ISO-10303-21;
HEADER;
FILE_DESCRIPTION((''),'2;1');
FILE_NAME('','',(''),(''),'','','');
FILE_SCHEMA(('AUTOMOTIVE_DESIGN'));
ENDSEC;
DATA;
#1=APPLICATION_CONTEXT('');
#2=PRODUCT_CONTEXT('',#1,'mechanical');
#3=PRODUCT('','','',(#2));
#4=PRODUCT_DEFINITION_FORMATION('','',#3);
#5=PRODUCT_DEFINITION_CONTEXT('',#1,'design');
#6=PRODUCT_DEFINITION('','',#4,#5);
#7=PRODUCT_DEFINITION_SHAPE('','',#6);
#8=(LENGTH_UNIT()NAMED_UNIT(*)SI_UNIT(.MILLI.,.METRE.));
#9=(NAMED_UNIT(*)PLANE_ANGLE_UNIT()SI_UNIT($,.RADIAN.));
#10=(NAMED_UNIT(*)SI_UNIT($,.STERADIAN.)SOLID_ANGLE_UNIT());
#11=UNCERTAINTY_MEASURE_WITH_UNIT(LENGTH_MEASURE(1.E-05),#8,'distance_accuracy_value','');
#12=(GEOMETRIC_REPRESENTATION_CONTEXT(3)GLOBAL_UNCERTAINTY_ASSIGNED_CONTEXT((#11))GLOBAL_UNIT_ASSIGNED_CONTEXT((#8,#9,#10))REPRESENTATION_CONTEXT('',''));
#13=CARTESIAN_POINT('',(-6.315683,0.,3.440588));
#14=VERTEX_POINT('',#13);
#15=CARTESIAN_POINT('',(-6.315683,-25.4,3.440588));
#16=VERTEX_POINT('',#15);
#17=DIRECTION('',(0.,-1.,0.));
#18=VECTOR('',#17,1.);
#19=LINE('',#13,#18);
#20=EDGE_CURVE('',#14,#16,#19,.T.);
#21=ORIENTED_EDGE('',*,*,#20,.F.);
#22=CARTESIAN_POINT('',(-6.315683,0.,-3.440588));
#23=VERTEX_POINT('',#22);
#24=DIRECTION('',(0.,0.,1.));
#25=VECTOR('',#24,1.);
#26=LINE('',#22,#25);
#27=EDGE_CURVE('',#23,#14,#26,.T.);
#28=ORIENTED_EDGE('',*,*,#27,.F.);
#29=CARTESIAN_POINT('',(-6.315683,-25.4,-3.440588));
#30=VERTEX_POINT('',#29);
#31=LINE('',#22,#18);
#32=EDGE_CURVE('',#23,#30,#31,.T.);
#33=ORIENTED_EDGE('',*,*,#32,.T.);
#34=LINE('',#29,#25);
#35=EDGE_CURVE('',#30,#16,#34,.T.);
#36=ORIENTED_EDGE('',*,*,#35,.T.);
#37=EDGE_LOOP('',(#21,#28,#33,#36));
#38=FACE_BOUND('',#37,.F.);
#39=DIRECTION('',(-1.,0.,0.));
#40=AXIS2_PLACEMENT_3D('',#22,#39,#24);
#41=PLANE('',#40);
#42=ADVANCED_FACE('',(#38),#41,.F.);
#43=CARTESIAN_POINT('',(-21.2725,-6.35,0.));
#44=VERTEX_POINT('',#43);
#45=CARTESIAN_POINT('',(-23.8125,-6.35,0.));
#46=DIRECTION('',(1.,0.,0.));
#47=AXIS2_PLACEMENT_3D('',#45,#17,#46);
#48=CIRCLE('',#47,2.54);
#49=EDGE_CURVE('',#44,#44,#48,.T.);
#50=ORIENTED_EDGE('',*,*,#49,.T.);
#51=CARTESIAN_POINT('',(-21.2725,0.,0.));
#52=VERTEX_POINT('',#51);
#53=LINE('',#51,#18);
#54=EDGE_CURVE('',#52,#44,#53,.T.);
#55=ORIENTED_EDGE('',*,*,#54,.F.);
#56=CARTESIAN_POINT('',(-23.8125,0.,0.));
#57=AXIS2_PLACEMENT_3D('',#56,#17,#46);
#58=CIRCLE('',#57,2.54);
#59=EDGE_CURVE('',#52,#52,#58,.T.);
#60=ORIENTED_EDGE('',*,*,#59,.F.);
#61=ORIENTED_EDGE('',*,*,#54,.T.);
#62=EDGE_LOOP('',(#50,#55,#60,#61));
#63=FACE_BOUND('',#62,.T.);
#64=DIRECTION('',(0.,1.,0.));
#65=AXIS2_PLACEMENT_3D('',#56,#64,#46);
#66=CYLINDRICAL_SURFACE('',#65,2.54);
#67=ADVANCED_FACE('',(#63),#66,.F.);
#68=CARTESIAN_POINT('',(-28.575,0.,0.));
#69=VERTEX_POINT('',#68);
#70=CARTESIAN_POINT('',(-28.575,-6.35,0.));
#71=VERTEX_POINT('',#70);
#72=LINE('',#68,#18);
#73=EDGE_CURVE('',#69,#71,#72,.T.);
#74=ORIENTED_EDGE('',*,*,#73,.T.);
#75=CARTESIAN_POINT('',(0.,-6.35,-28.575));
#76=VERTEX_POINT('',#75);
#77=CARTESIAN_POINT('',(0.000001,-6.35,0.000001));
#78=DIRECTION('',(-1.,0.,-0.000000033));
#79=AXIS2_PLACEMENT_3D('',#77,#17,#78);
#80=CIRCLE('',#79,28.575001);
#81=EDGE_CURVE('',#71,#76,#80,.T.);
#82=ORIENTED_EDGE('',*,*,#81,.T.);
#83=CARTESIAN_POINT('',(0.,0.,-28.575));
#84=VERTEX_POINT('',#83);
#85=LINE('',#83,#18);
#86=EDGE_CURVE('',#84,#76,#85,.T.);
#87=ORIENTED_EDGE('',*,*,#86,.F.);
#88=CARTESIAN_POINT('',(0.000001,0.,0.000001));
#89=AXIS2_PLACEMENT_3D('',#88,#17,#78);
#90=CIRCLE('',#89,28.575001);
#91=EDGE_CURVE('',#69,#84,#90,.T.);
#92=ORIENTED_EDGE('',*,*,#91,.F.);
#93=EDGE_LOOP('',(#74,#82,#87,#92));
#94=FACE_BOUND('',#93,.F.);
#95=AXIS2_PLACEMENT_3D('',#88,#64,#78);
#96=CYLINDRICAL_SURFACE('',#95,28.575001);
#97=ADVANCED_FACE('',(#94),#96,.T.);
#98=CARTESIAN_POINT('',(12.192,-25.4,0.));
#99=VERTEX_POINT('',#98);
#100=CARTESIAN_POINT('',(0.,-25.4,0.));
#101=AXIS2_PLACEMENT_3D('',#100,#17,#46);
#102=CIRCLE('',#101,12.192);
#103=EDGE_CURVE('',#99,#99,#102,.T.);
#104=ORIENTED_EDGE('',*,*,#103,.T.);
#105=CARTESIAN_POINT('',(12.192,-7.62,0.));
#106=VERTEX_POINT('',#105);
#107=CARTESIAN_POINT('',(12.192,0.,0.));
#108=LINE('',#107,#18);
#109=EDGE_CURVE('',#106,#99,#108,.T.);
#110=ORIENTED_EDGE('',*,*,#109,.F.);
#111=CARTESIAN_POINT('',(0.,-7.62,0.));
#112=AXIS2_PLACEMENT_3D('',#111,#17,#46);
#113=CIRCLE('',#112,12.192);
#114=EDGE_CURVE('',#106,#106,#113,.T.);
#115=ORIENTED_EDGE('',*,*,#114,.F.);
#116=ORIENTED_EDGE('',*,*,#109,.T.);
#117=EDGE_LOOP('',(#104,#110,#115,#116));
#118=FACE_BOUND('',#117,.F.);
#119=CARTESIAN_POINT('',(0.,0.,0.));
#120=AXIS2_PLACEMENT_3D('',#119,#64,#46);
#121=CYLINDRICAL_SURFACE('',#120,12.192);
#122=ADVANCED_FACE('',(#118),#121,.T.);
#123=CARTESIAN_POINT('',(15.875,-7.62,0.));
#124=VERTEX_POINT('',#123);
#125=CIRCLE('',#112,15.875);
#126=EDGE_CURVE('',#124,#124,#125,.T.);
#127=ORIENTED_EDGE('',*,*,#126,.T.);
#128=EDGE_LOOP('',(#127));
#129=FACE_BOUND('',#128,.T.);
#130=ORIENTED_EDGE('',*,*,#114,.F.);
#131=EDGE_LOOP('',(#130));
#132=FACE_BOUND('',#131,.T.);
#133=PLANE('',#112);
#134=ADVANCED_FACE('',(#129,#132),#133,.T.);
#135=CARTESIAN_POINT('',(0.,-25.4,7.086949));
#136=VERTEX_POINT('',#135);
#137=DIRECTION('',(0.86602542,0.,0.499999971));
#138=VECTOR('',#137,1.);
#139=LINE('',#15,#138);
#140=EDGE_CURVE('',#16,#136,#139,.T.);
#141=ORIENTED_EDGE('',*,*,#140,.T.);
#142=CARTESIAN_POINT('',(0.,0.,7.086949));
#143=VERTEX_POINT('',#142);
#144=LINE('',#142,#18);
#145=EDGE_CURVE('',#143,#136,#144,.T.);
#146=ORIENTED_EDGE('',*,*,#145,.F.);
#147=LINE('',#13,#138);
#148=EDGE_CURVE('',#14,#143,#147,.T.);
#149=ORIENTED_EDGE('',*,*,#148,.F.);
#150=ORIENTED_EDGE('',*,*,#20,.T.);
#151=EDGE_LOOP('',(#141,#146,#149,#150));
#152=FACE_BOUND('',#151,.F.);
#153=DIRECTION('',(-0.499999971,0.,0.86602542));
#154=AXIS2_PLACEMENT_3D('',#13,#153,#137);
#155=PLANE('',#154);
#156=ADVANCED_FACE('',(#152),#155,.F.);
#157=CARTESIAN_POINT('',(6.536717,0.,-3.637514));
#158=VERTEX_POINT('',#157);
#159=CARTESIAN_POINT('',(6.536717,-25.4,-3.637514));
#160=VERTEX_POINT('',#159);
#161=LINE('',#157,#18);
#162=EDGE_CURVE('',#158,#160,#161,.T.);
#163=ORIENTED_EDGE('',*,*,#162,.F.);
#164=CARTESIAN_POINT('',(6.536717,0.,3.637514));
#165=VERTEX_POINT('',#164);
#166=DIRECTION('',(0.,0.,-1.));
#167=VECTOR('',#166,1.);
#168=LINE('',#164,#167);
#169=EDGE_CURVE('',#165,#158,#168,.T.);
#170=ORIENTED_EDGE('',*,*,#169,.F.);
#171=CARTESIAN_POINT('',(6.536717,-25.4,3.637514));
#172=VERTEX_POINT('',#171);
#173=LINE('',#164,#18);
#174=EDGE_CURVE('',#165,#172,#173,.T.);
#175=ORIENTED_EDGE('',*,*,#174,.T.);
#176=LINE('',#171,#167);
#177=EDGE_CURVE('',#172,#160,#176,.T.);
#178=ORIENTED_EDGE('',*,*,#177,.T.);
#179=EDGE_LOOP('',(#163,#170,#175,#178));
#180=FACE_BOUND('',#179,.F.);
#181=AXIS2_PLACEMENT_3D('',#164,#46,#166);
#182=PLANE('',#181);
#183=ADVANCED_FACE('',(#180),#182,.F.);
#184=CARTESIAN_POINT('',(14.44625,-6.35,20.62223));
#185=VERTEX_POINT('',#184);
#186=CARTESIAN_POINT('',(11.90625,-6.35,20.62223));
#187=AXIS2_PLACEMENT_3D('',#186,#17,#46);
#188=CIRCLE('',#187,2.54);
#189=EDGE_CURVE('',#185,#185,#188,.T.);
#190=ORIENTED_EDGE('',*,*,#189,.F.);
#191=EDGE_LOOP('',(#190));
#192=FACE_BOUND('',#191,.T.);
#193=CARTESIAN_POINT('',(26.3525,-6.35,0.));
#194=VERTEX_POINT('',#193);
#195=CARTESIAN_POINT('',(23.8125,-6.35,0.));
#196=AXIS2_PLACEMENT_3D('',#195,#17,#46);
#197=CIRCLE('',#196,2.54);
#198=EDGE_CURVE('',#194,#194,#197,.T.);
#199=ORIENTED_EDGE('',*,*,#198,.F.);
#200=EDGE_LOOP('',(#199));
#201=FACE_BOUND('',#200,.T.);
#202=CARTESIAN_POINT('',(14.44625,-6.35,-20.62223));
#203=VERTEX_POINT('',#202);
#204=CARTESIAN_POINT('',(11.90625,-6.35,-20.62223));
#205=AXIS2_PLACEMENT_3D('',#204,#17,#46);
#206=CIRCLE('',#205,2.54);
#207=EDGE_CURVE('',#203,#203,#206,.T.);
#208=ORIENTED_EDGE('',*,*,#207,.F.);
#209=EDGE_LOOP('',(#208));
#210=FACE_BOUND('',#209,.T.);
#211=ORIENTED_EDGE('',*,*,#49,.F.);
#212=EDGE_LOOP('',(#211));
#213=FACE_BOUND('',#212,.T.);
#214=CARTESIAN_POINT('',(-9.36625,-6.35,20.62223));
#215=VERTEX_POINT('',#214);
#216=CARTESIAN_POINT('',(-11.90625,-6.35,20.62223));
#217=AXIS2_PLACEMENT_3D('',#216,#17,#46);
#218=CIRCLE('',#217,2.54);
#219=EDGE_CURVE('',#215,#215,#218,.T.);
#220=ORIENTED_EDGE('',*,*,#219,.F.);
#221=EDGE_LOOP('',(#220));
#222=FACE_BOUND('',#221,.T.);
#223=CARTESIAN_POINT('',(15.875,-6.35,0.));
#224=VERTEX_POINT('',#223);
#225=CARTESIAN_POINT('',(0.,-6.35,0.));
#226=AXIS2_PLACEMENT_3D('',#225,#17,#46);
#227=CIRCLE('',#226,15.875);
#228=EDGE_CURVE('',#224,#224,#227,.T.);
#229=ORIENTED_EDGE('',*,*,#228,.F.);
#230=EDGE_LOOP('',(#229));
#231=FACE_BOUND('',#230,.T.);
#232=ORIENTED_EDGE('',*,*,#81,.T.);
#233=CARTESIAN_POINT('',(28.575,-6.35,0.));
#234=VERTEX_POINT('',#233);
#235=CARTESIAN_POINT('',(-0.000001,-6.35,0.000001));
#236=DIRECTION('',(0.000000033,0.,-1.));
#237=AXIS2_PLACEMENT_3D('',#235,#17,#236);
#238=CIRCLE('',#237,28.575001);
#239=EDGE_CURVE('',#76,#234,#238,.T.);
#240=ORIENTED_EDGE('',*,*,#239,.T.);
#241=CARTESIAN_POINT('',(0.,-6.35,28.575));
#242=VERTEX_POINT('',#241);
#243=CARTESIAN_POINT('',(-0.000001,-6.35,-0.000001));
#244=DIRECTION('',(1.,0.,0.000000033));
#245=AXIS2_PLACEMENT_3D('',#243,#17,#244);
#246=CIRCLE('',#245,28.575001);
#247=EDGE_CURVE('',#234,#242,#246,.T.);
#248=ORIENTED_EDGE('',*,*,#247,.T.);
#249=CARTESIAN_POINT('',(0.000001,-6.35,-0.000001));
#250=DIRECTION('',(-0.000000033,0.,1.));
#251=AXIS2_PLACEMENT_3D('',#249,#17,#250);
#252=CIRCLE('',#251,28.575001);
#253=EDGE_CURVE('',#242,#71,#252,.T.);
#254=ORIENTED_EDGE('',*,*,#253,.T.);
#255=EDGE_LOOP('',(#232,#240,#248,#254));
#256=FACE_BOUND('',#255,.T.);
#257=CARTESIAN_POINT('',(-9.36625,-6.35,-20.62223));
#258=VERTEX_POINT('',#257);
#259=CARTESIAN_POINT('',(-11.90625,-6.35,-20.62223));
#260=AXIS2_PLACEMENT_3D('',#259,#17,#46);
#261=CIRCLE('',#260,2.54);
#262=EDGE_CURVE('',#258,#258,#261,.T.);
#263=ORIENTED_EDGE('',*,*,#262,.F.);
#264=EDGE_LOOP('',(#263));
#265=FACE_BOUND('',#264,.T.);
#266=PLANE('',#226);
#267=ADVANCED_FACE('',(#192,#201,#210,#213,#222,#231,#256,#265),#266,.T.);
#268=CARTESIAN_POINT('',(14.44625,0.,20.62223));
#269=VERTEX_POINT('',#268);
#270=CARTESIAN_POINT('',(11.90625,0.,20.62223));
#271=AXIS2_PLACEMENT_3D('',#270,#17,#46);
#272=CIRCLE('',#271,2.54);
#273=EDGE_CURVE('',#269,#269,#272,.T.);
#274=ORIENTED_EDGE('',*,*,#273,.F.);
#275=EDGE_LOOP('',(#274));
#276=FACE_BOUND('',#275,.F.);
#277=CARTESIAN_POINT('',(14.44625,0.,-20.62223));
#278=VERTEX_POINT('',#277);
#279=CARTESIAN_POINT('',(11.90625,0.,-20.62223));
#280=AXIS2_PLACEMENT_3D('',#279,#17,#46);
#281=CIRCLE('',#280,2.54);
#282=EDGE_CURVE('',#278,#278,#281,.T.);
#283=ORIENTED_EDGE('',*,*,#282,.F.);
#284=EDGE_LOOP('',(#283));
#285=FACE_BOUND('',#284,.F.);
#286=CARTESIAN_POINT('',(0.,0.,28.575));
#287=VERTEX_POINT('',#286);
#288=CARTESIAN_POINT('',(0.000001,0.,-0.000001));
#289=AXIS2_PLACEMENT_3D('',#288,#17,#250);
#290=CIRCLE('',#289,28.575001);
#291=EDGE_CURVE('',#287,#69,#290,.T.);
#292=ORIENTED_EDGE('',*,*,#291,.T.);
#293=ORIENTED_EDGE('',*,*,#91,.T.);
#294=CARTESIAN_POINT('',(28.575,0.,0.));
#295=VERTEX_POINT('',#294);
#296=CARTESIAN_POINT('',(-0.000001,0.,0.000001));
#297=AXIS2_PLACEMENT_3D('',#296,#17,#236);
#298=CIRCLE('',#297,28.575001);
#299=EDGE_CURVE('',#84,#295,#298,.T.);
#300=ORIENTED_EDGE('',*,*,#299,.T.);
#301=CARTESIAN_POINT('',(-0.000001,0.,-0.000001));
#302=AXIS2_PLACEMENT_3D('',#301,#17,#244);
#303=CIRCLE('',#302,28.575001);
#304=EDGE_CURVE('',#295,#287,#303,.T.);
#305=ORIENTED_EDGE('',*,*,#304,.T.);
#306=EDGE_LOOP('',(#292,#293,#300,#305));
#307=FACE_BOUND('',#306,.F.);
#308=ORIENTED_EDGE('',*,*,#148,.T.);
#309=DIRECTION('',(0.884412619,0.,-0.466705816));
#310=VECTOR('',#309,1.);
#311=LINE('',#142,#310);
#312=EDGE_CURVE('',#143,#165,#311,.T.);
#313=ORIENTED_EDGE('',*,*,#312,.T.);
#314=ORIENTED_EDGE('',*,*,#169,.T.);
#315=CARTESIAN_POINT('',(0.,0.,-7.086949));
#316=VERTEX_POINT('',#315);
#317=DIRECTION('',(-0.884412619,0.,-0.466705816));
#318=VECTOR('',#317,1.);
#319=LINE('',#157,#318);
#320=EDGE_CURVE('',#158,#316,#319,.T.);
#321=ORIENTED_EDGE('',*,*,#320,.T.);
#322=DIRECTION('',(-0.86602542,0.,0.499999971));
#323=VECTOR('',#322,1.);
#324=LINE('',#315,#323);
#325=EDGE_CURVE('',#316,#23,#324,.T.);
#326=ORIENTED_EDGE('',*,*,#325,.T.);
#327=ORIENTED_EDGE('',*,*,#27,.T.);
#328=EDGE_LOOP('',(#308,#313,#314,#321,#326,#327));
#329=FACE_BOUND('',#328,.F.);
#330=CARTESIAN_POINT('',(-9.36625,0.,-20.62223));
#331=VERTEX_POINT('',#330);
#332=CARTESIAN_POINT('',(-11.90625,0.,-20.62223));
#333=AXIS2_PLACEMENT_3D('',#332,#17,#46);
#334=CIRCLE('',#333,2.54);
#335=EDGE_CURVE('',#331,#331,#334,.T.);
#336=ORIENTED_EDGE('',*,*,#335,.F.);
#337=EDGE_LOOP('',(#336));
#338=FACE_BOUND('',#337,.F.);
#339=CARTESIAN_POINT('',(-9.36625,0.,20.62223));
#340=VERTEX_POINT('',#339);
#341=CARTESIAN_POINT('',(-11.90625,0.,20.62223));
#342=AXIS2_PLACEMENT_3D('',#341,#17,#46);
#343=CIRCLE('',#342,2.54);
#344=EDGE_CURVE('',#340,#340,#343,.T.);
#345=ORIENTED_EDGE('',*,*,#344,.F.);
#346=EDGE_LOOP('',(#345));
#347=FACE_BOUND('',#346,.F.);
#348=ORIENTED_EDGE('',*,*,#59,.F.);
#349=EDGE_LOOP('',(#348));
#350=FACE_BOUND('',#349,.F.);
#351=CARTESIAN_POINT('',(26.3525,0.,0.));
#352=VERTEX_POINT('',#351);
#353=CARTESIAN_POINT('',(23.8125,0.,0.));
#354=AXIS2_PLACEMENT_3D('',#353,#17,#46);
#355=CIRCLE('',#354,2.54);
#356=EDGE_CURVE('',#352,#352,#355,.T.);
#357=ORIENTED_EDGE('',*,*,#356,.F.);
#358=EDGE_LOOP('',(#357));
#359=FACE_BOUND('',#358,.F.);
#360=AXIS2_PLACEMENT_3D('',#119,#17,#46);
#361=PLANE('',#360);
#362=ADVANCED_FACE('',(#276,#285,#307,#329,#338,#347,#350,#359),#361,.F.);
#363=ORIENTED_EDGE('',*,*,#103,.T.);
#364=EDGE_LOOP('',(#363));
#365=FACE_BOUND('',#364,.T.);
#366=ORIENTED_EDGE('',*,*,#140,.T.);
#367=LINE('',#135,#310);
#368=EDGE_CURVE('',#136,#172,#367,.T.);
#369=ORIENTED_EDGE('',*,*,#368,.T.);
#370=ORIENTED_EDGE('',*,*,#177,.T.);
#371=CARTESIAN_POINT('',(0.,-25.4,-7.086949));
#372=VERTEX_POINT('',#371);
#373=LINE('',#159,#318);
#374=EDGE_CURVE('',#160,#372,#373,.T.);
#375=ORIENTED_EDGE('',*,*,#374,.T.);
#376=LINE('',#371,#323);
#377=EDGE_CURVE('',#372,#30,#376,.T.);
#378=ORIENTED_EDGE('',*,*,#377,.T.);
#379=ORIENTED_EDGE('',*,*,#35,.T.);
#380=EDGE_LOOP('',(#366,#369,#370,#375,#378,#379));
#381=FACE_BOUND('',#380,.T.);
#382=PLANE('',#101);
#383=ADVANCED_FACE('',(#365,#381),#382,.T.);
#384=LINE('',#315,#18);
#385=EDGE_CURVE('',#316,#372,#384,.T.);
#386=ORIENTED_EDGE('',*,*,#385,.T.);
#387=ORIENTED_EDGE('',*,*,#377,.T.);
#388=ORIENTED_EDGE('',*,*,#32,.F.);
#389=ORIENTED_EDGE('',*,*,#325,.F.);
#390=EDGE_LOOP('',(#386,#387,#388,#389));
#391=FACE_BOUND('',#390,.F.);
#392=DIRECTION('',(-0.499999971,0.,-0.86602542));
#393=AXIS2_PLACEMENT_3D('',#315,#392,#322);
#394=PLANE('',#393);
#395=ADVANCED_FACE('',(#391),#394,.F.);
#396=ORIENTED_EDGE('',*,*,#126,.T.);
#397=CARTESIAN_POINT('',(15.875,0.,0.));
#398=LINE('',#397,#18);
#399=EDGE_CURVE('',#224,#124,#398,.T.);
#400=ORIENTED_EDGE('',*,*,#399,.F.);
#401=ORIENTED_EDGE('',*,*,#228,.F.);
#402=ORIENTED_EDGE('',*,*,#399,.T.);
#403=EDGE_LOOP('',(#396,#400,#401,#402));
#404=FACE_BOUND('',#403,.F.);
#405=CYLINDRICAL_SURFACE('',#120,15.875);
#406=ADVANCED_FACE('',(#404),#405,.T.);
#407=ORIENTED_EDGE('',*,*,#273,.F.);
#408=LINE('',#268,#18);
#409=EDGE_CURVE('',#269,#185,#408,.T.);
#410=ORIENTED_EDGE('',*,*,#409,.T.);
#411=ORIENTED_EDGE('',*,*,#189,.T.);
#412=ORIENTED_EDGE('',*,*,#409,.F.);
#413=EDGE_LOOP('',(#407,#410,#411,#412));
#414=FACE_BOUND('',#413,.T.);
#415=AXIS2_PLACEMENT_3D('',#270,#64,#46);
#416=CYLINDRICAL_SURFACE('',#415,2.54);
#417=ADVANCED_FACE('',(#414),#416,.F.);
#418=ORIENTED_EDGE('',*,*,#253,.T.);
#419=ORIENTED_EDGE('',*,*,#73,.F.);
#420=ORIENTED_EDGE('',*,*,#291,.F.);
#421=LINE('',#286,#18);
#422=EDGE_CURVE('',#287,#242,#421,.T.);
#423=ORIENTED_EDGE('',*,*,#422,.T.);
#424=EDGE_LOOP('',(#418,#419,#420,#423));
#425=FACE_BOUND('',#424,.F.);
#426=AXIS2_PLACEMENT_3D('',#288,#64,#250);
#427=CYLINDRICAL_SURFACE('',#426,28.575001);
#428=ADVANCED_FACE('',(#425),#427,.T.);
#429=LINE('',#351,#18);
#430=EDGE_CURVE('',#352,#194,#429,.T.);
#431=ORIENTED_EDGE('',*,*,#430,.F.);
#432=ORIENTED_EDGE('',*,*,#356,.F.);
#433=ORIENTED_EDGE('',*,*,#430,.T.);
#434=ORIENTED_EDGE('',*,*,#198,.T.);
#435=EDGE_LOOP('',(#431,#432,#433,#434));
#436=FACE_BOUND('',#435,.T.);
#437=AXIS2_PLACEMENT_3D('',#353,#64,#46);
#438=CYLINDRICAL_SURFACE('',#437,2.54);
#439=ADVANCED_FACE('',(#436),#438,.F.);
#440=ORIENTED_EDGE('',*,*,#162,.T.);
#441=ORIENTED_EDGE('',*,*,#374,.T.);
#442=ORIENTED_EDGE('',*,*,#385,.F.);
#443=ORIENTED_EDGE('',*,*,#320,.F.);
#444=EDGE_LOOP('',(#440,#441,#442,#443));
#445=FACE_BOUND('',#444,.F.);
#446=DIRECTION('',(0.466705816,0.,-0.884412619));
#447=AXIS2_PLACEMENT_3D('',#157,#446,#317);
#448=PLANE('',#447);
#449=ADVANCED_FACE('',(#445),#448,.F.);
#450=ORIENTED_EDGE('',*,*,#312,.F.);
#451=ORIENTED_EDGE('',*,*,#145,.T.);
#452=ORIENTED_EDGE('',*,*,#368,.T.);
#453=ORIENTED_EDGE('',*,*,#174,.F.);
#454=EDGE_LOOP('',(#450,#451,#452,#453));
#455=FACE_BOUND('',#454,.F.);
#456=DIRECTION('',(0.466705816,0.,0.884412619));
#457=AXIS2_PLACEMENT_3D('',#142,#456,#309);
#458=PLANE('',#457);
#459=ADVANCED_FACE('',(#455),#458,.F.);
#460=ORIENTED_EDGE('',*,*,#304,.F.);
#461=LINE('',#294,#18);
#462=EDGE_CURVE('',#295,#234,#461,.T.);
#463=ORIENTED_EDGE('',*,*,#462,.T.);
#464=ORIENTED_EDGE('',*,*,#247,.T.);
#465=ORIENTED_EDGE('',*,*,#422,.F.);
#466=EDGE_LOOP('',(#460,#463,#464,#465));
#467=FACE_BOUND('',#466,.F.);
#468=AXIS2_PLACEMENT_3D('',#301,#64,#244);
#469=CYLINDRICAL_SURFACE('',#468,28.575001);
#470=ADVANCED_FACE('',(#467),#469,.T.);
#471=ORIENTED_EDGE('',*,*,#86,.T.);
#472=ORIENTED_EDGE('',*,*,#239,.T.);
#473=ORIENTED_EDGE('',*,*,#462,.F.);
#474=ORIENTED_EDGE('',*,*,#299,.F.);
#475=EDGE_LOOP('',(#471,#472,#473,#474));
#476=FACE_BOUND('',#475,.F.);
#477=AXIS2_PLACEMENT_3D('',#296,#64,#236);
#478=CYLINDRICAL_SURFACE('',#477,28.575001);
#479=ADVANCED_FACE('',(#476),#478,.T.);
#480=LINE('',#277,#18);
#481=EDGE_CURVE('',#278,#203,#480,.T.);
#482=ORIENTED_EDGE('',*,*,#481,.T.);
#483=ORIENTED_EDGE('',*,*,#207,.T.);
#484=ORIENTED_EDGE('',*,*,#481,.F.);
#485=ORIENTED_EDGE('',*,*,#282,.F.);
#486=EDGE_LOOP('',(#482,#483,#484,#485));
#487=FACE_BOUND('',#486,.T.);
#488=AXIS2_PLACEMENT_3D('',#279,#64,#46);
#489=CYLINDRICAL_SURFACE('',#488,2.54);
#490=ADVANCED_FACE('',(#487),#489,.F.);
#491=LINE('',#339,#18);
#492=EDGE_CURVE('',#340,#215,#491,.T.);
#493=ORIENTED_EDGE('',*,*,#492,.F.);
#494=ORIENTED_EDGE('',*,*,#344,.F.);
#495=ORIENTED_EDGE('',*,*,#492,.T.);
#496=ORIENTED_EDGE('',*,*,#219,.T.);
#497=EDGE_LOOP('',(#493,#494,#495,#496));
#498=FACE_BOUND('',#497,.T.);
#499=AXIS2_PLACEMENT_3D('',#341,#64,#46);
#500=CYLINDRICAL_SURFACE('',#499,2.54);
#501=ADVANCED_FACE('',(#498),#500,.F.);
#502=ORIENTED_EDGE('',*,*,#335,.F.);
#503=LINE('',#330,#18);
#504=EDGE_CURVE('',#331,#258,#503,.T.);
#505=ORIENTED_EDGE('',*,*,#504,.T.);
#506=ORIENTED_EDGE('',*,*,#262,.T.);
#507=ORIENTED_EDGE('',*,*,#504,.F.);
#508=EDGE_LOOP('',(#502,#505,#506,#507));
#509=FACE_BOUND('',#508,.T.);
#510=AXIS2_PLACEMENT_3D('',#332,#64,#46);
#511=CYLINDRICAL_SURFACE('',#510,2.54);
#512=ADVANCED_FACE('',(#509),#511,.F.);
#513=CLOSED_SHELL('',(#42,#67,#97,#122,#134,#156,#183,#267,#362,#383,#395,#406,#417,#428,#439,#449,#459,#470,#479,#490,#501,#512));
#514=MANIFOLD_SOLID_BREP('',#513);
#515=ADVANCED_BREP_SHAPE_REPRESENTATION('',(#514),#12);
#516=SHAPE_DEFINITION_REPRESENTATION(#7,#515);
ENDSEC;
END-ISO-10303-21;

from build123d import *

# Parameters (mm, degrees)
F0_R     = 2.54
F0_R_2   = 15.875
F1_DEPTH = 6.35
F0_R_3   = 12.192
F2_DEPTH = 7.62
F3_DEPTH = 25.4


with BuildPart() as f1:
    # F0 (on Front) → F1 (new body)
    with BuildSketch(Plane.XZ):
        with BuildLine():
            ThreePointArc((28.575, 0), (20.205576, 20.205576), (0, 28.575))
            ThreePointArc((0, 28.575), (-20.205576, 20.205576), (-28.575, 0))
            ThreePointArc((-28.575, 0), (-20.205576, -20.205576), (0, -28.575))
            ThreePointArc((0, -28.575), (20.205576, -20.205576), (28.575, 0))
        make_face()
        with Locations((-11.90625, -20.62223)):
            Circle(F0_R, mode=Mode.SUBTRACT)
        with Locations((11.90625, -20.62223)):
            Circle(F0_R, mode=Mode.SUBTRACT)
        with Locations((-23.8125, 0)):
            Circle(F0_R, mode=Mode.SUBTRACT)
        with Locations((-11.90625, 20.62223)):
            Circle(F0_R, mode=Mode.SUBTRACT)
        Circle(F0_R_2, mode=Mode.SUBTRACT)
        with Locations((23.8125, 0)):
            Circle(F0_R, mode=Mode.SUBTRACT)
        with Locations((11.90625, 20.62223)):
            Circle(F0_R, mode=Mode.SUBTRACT)
    extrude(amount=F1_DEPTH)

    # F0 (on Front) → F2 (join)
    with BuildSketch(Plane.XZ):
        Circle(F0_R_2)
        Circle(F0_R_3, mode=Mode.SUBTRACT)
    extrude(amount=F2_DEPTH)

    # F0 (on Front) → F3 (join)
    with BuildSketch(Plane.XZ):
        Circle(F0_R_3)
        Polygon((0, 7.086949), (6.536717, 3.637514), (6.536717, -3.637514), (0, -7.086949), (-6.315683, -3.440588), (-6.315683, 3.440588), align=None, mode=Mode.SUBTRACT)
    extrude(amount=F3_DEPTH)


solid = f1.part
